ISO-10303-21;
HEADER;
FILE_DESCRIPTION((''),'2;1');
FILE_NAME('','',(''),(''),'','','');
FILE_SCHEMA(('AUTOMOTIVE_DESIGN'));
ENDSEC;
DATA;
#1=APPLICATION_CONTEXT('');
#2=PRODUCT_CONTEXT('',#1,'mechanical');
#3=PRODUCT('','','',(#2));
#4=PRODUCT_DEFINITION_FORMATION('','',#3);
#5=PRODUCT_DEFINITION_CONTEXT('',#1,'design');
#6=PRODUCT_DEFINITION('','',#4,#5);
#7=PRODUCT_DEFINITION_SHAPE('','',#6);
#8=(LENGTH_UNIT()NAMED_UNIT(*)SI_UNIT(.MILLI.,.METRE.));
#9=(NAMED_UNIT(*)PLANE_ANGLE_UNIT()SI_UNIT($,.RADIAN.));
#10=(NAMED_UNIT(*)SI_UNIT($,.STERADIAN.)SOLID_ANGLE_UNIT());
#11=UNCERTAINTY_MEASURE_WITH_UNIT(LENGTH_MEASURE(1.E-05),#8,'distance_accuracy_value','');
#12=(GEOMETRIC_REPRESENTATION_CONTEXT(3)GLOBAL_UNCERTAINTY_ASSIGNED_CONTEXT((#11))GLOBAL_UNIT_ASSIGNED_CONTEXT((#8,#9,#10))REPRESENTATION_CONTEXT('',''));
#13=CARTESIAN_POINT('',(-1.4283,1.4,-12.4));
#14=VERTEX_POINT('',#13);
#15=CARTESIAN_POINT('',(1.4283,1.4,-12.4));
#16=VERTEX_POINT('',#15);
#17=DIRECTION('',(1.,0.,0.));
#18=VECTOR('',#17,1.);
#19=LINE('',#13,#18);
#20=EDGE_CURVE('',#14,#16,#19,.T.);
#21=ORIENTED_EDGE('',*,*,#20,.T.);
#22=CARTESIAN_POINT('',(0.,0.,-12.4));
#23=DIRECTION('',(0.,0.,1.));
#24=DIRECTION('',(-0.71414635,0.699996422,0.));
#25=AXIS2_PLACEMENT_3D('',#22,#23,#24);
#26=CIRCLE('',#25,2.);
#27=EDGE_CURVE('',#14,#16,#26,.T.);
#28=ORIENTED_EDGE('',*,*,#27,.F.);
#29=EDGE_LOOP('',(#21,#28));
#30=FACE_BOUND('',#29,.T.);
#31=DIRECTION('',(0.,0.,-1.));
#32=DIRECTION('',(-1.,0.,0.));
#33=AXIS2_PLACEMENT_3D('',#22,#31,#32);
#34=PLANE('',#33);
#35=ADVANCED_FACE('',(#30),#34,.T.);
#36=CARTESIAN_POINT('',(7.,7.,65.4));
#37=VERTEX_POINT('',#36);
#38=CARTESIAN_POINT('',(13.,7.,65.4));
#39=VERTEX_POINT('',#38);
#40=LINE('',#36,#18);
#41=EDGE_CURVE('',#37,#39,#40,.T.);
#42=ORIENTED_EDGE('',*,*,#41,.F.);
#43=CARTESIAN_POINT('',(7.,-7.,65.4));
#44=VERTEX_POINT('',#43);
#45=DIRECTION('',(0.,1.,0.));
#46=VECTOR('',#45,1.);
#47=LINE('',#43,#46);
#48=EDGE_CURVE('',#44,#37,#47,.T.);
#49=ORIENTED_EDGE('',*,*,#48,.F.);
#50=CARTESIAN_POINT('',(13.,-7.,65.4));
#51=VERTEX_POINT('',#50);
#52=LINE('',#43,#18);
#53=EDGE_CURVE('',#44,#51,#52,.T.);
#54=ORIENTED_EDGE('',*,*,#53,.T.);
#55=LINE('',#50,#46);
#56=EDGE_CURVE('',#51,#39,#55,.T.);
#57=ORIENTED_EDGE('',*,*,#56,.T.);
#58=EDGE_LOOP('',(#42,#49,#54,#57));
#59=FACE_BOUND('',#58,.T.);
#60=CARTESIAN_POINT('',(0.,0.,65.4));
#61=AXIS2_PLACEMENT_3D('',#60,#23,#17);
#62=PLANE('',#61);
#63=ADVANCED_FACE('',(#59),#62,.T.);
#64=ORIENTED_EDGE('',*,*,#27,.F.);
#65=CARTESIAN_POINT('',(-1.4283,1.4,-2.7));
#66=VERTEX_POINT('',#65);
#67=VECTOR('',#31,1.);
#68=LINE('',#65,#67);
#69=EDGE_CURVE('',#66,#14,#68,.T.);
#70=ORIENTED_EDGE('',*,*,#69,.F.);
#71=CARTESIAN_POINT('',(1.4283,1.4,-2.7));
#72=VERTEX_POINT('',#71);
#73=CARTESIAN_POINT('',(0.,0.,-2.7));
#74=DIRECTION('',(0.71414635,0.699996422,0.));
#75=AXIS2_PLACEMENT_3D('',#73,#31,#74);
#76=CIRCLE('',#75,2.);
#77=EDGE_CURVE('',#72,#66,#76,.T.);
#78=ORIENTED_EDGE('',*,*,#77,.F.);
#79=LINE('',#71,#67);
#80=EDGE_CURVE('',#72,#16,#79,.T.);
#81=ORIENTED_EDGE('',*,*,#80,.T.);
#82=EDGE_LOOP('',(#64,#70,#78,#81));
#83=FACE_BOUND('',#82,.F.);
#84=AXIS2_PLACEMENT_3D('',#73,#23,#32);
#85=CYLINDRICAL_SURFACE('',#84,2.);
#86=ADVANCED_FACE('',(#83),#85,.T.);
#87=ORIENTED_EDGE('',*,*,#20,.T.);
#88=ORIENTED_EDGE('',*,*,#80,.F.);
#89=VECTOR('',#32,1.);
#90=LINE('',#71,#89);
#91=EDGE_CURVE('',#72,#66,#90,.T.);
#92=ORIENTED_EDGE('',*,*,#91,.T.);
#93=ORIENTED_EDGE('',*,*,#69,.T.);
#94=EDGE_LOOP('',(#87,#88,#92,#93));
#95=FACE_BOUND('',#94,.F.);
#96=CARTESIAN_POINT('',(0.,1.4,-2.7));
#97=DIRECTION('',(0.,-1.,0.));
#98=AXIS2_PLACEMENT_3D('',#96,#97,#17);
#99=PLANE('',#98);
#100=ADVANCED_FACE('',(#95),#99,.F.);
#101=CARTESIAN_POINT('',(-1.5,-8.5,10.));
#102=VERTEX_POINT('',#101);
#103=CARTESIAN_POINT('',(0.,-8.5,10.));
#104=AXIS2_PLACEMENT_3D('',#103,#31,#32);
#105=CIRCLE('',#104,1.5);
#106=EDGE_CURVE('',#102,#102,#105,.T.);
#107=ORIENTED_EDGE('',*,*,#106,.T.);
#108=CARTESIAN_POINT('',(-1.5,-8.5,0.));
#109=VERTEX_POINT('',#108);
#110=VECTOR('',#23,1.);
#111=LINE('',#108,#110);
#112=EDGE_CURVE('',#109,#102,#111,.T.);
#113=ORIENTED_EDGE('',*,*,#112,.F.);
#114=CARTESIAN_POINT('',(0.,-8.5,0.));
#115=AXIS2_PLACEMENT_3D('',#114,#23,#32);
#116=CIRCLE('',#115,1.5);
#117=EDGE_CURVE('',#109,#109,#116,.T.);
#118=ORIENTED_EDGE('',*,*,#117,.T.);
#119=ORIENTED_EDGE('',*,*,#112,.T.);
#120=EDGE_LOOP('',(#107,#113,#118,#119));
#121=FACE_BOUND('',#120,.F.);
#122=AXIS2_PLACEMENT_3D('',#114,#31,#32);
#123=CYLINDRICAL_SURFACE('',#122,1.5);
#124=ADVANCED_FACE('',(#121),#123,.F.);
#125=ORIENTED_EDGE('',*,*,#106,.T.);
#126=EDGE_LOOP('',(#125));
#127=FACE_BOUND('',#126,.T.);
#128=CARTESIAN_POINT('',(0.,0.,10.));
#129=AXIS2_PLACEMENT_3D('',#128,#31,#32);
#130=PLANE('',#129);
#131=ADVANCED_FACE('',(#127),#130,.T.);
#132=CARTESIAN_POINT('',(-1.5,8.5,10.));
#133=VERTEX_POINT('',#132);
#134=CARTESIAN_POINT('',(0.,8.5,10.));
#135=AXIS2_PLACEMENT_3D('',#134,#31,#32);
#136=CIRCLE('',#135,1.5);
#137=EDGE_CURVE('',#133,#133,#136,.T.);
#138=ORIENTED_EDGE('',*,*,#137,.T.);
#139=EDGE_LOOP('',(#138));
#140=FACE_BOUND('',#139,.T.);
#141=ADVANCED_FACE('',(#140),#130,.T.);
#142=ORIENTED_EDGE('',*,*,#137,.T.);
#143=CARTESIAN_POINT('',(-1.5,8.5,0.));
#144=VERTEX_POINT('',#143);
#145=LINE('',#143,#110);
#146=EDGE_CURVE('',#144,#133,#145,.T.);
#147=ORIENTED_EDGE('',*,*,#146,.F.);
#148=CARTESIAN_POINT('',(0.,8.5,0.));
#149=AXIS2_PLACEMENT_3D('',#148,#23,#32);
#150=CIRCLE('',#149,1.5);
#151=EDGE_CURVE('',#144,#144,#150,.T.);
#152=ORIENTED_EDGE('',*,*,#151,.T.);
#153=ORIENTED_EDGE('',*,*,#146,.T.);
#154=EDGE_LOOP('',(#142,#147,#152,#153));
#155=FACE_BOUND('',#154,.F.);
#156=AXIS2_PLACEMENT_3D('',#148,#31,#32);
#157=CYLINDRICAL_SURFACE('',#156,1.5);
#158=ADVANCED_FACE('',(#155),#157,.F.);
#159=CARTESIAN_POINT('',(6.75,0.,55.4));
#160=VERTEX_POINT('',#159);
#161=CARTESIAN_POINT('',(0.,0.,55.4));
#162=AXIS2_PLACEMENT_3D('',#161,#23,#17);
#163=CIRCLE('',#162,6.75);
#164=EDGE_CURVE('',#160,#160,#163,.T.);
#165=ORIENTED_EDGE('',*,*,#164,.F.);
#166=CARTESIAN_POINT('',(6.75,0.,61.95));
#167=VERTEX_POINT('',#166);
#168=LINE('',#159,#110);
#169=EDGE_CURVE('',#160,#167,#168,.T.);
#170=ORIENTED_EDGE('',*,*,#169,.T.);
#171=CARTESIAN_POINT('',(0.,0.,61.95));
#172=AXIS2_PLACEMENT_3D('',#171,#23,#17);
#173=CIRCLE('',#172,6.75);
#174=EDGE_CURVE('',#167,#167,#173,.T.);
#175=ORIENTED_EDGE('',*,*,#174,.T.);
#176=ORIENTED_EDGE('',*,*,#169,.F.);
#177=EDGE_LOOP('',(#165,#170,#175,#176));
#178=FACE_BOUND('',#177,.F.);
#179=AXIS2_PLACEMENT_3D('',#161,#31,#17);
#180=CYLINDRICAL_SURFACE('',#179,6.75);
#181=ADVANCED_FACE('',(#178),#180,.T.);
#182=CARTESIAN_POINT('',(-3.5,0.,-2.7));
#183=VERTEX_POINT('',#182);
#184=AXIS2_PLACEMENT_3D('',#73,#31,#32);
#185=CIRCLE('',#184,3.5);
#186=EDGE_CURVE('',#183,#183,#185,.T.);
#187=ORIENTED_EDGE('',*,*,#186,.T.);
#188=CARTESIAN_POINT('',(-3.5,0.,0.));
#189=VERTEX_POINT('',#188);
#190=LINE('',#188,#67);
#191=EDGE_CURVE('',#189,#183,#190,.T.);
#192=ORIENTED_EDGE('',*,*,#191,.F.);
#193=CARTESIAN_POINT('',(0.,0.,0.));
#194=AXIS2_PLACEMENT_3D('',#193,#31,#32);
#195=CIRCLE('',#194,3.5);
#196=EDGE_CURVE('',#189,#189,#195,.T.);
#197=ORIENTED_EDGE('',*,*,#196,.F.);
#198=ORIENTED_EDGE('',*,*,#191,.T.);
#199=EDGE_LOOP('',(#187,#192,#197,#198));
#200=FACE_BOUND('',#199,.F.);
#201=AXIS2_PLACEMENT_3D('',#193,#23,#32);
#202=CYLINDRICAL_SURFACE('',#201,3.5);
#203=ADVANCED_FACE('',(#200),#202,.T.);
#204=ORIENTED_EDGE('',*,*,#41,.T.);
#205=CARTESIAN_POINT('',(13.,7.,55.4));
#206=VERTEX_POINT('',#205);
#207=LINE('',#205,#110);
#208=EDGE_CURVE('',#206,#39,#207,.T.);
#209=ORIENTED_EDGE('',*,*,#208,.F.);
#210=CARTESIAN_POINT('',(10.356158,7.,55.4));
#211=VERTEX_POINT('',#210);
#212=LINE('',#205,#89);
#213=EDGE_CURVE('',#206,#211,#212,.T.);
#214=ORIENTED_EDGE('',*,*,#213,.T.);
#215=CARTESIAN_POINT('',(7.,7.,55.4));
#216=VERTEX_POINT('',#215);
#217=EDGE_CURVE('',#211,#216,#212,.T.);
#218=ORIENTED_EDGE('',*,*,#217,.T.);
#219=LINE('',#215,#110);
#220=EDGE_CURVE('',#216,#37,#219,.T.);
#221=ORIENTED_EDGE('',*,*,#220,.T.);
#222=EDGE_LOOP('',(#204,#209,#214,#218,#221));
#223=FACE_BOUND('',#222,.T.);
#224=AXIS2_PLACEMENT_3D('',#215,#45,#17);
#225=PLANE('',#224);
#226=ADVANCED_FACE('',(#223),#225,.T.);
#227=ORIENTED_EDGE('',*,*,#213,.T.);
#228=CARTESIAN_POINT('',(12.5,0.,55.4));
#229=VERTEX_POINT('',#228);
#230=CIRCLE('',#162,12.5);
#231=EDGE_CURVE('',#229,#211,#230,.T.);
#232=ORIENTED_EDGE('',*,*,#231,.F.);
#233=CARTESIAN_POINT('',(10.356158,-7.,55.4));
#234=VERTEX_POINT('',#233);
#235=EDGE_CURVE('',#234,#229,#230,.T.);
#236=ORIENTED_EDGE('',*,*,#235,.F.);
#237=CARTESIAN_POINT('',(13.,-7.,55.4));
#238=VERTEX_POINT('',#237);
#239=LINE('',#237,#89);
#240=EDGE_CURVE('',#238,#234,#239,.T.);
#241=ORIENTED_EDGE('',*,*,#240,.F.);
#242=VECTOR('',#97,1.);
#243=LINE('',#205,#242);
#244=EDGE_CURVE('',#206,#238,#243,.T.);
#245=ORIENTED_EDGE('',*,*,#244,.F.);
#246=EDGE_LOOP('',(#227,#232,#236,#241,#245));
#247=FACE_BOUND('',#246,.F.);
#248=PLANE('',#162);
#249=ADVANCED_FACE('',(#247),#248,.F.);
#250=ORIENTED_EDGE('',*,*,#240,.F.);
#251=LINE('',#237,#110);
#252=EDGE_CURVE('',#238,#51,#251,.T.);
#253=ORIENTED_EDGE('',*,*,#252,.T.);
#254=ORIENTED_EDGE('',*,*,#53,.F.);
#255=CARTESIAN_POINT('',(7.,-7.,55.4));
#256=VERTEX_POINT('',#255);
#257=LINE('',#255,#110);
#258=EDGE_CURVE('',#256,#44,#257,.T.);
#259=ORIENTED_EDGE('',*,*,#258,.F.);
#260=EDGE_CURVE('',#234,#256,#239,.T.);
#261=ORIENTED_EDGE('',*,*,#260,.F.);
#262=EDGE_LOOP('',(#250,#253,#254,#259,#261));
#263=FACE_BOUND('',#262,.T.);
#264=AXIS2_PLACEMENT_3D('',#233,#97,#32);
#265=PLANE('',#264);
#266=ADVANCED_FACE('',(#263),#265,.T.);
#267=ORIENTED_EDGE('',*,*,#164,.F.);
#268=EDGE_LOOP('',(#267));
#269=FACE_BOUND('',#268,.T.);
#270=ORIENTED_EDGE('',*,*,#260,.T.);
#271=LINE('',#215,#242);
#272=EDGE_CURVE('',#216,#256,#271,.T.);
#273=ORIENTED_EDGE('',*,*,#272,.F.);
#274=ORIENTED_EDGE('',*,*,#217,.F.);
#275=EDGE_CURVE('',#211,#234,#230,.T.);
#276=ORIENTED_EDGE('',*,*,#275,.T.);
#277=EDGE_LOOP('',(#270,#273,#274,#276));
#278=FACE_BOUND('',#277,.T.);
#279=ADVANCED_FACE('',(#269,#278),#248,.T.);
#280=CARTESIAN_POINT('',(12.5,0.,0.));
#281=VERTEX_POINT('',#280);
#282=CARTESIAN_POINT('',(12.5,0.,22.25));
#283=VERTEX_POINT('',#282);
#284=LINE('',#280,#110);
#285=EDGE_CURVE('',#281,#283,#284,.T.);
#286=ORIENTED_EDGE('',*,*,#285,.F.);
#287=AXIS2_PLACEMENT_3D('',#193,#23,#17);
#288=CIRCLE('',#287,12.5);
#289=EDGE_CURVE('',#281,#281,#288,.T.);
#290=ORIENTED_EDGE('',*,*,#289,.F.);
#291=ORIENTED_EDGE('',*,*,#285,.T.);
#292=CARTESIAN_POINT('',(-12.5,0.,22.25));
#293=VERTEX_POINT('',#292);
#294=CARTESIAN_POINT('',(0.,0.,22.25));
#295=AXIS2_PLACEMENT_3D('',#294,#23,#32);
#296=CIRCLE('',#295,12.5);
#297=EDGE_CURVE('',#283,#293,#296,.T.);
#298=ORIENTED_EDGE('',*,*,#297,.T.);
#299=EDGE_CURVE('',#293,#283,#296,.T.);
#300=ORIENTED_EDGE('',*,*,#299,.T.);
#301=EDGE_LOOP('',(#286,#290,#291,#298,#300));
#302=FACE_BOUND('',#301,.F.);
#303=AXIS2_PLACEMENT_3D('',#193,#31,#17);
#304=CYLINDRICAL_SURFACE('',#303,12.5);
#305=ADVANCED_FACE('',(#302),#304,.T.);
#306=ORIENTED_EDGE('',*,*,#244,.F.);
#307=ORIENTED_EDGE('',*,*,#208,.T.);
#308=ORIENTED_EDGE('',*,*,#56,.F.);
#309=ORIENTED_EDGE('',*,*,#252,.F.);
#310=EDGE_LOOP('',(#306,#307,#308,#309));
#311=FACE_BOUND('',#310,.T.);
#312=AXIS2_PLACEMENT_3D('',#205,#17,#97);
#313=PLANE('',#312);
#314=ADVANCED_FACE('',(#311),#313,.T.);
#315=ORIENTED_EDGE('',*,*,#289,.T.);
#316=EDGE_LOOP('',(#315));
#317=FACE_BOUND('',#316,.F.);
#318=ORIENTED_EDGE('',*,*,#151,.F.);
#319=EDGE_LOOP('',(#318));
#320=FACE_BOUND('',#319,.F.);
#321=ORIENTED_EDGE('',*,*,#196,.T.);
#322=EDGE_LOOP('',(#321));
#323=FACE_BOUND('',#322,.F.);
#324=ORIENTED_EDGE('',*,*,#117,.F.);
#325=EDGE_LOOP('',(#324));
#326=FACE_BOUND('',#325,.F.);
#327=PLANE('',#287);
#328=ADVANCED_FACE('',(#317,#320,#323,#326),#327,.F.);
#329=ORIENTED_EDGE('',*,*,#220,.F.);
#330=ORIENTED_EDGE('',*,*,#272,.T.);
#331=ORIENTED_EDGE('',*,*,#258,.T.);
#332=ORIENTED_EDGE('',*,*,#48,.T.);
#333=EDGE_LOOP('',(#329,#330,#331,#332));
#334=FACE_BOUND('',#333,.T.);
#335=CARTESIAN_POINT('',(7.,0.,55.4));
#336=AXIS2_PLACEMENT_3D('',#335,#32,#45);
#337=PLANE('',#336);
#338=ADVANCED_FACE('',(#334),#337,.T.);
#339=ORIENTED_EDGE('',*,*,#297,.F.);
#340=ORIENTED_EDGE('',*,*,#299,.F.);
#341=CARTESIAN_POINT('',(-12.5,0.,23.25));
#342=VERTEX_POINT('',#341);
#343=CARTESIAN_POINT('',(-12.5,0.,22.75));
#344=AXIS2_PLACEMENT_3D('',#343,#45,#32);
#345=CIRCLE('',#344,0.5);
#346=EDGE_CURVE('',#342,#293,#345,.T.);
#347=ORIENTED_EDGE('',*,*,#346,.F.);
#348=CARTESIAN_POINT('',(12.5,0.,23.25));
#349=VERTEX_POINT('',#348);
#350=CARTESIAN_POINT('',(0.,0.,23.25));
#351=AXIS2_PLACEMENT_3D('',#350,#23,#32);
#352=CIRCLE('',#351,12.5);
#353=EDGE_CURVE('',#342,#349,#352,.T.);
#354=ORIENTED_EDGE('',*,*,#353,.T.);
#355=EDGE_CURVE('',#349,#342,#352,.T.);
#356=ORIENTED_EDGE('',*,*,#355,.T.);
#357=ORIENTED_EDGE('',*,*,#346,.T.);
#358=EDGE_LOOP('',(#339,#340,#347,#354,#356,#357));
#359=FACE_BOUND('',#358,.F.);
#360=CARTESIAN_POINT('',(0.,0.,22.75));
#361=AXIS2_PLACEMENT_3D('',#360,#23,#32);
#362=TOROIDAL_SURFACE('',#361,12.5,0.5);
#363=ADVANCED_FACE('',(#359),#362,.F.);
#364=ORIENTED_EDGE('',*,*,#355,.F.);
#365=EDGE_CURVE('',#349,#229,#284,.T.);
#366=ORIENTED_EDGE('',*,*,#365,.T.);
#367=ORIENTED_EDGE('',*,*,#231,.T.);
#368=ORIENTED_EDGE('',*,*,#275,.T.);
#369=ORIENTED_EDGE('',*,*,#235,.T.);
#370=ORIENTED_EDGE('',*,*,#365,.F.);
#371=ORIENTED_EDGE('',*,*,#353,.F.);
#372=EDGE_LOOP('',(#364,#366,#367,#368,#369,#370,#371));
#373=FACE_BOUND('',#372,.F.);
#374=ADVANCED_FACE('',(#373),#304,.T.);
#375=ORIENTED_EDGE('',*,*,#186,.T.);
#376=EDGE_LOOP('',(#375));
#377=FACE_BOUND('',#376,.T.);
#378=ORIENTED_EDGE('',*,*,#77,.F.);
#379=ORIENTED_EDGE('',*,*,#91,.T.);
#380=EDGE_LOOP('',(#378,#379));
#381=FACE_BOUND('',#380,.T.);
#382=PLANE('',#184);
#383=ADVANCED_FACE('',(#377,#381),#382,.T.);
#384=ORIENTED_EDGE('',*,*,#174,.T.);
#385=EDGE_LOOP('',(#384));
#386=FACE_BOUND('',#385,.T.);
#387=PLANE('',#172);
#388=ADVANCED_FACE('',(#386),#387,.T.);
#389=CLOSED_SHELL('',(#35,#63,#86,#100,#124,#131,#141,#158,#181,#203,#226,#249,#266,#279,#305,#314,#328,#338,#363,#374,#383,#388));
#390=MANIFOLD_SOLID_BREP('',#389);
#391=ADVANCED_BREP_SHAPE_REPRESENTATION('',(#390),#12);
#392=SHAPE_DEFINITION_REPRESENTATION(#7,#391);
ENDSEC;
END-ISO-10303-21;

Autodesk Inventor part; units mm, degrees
ref_plane "YZ Plane" through (0, 0, 0) normal (1, 0, 0) x (0, 1, 0)
ref_plane "XZ Plane" through (0, 0, 0) normal (0, 1, 0) x (-1, 0, 0)
ref_plane "XY Plane" through (0, 0, 0) normal (0, 0, 1) x (1, 0, 0)
sketch "Эскиз1" plane through (0, 0, 0) normal (0, 0, 1) x (1, 0, 0)
  circle A0 centre (0, 0) radius 12.5
  dimension "d0" = 25
extrude "Выдавливание1" add sketch "Эскиз1" along normal blind 55.4
sketch "Эскиз2" plane through (0, 0, 55.4) normal (0, 0, 1) x (1, 0, 0)
  circle A0 centre (0, 0) radius 6.75
  dimension "d3" = 13.5
extrude "Выдавливание2" add sketch "Эскиз2" along normal blind 6.55
sketch "Эскиз3" plane through (0, 0, 55.4) normal (0, 0, 1) x (1, 0, 0)
  line L0 (7, 7) -> (13, 7)
  line L1 (13, 7) -> (13, -7)
  line L2 (13, -7) -> (7, -7)
  line L3 (7, -7) -> (7, 7)
  line L4 (-17.6863, 0) -> (18.6175, 0) projected
  circle A0 centre (0, 0) radius 12.5 projected
  line L5 (-12.5, 0) -> (13, 0)
  point P0 (7, 0)
  dimension "d6" = 6
  dimension "d7" = 14
  dimension "d8" = 25.5
extrude "Выдавливание3" add sketch "Эскиз3" along normal blind 10 contours L0 A0 L4 L3 | L0 L1 L4 A0 | L4 A0 L2 L3 | L4 L1 L2 A0 picked at (8.5105, 3.9415) picked at (8.5105, -3.9415)
sketch "Эскиз4" plane through (0, 0, 0) normal (0, 0, -1) x (-1, 0, 0)
  circle A0 centre (0, 0) radius 3.5
  dimension "d11" = 7
extrude "Выдавливание4" add sketch "Эскиз4" along normal blind 2.7
sketch "Эскиз5" plane through (0, 0, -2.7) normal (0, 0, -1) x (-1, 0, 0)
  circle A0 centre (0, 0) radius 2
  line L0 (1.4283, 1.4) -> (-1.4283, 1.4)
  line L1 (0, -2) -> (0, 1.4)
  dimension "d14" = 4
  dimension "d15" = 3.4
extrude "Выдавливание5" add sketch "Эскиз5" along normal blind 9.7 contours A0 L1 L0 | A0 L0 L1
sketch "Эскиз6" plane through (0, 0, 0) normal (0, 0, -1) x (-1, 0, 0)
  line L0 (0, 8.5) -> (0, -8.5)
  circle A0 centre (0, 8.5) radius 1.5
  circle A1 centre (0, -8.5) radius 1.5
  point P0 (0, 0)
  point P1 (0, 0)
  dimension "d18" = 17
  dimension "d19" = 3
  dimension "d20" = 3
extrude "Выдавливание6" cut sketch "Эскиз6" against normal blind 10
sketch "Эскиз7" plane through (0, 0, 0) normal (0, 1, 0) x (-1, 0, 0)
  line L0 (12.5, 0) -> (-12.5, 0) projected
  line L1 (12.5, 0) -> (12.5, 22.75)
  line L2 (12.5, 0) -> (12.5, 55.4) projected
  circle A0 centre (12.5, 22.75) radius 0.5
  line L3 (-2, -12.4) -> (2, -12.4) projected
  line L4 (0, -12.4) -> (0, 61.95)
  line L5 (6.75, 61.95) -> (-6.75, 61.95) projected
  point P0 (0, 0)
  point P1 (-1.4283, -12.4)
  point P2 (1.4283, -12.4)
  dimension "d23" = 22.75
  dimension "d24" = 1
revolve "Вращение1" cut sketch "Эскиз7" angle 360 about axis through (0, 0, -12.4) along (0, 0, 1)
properties part number "motor"
